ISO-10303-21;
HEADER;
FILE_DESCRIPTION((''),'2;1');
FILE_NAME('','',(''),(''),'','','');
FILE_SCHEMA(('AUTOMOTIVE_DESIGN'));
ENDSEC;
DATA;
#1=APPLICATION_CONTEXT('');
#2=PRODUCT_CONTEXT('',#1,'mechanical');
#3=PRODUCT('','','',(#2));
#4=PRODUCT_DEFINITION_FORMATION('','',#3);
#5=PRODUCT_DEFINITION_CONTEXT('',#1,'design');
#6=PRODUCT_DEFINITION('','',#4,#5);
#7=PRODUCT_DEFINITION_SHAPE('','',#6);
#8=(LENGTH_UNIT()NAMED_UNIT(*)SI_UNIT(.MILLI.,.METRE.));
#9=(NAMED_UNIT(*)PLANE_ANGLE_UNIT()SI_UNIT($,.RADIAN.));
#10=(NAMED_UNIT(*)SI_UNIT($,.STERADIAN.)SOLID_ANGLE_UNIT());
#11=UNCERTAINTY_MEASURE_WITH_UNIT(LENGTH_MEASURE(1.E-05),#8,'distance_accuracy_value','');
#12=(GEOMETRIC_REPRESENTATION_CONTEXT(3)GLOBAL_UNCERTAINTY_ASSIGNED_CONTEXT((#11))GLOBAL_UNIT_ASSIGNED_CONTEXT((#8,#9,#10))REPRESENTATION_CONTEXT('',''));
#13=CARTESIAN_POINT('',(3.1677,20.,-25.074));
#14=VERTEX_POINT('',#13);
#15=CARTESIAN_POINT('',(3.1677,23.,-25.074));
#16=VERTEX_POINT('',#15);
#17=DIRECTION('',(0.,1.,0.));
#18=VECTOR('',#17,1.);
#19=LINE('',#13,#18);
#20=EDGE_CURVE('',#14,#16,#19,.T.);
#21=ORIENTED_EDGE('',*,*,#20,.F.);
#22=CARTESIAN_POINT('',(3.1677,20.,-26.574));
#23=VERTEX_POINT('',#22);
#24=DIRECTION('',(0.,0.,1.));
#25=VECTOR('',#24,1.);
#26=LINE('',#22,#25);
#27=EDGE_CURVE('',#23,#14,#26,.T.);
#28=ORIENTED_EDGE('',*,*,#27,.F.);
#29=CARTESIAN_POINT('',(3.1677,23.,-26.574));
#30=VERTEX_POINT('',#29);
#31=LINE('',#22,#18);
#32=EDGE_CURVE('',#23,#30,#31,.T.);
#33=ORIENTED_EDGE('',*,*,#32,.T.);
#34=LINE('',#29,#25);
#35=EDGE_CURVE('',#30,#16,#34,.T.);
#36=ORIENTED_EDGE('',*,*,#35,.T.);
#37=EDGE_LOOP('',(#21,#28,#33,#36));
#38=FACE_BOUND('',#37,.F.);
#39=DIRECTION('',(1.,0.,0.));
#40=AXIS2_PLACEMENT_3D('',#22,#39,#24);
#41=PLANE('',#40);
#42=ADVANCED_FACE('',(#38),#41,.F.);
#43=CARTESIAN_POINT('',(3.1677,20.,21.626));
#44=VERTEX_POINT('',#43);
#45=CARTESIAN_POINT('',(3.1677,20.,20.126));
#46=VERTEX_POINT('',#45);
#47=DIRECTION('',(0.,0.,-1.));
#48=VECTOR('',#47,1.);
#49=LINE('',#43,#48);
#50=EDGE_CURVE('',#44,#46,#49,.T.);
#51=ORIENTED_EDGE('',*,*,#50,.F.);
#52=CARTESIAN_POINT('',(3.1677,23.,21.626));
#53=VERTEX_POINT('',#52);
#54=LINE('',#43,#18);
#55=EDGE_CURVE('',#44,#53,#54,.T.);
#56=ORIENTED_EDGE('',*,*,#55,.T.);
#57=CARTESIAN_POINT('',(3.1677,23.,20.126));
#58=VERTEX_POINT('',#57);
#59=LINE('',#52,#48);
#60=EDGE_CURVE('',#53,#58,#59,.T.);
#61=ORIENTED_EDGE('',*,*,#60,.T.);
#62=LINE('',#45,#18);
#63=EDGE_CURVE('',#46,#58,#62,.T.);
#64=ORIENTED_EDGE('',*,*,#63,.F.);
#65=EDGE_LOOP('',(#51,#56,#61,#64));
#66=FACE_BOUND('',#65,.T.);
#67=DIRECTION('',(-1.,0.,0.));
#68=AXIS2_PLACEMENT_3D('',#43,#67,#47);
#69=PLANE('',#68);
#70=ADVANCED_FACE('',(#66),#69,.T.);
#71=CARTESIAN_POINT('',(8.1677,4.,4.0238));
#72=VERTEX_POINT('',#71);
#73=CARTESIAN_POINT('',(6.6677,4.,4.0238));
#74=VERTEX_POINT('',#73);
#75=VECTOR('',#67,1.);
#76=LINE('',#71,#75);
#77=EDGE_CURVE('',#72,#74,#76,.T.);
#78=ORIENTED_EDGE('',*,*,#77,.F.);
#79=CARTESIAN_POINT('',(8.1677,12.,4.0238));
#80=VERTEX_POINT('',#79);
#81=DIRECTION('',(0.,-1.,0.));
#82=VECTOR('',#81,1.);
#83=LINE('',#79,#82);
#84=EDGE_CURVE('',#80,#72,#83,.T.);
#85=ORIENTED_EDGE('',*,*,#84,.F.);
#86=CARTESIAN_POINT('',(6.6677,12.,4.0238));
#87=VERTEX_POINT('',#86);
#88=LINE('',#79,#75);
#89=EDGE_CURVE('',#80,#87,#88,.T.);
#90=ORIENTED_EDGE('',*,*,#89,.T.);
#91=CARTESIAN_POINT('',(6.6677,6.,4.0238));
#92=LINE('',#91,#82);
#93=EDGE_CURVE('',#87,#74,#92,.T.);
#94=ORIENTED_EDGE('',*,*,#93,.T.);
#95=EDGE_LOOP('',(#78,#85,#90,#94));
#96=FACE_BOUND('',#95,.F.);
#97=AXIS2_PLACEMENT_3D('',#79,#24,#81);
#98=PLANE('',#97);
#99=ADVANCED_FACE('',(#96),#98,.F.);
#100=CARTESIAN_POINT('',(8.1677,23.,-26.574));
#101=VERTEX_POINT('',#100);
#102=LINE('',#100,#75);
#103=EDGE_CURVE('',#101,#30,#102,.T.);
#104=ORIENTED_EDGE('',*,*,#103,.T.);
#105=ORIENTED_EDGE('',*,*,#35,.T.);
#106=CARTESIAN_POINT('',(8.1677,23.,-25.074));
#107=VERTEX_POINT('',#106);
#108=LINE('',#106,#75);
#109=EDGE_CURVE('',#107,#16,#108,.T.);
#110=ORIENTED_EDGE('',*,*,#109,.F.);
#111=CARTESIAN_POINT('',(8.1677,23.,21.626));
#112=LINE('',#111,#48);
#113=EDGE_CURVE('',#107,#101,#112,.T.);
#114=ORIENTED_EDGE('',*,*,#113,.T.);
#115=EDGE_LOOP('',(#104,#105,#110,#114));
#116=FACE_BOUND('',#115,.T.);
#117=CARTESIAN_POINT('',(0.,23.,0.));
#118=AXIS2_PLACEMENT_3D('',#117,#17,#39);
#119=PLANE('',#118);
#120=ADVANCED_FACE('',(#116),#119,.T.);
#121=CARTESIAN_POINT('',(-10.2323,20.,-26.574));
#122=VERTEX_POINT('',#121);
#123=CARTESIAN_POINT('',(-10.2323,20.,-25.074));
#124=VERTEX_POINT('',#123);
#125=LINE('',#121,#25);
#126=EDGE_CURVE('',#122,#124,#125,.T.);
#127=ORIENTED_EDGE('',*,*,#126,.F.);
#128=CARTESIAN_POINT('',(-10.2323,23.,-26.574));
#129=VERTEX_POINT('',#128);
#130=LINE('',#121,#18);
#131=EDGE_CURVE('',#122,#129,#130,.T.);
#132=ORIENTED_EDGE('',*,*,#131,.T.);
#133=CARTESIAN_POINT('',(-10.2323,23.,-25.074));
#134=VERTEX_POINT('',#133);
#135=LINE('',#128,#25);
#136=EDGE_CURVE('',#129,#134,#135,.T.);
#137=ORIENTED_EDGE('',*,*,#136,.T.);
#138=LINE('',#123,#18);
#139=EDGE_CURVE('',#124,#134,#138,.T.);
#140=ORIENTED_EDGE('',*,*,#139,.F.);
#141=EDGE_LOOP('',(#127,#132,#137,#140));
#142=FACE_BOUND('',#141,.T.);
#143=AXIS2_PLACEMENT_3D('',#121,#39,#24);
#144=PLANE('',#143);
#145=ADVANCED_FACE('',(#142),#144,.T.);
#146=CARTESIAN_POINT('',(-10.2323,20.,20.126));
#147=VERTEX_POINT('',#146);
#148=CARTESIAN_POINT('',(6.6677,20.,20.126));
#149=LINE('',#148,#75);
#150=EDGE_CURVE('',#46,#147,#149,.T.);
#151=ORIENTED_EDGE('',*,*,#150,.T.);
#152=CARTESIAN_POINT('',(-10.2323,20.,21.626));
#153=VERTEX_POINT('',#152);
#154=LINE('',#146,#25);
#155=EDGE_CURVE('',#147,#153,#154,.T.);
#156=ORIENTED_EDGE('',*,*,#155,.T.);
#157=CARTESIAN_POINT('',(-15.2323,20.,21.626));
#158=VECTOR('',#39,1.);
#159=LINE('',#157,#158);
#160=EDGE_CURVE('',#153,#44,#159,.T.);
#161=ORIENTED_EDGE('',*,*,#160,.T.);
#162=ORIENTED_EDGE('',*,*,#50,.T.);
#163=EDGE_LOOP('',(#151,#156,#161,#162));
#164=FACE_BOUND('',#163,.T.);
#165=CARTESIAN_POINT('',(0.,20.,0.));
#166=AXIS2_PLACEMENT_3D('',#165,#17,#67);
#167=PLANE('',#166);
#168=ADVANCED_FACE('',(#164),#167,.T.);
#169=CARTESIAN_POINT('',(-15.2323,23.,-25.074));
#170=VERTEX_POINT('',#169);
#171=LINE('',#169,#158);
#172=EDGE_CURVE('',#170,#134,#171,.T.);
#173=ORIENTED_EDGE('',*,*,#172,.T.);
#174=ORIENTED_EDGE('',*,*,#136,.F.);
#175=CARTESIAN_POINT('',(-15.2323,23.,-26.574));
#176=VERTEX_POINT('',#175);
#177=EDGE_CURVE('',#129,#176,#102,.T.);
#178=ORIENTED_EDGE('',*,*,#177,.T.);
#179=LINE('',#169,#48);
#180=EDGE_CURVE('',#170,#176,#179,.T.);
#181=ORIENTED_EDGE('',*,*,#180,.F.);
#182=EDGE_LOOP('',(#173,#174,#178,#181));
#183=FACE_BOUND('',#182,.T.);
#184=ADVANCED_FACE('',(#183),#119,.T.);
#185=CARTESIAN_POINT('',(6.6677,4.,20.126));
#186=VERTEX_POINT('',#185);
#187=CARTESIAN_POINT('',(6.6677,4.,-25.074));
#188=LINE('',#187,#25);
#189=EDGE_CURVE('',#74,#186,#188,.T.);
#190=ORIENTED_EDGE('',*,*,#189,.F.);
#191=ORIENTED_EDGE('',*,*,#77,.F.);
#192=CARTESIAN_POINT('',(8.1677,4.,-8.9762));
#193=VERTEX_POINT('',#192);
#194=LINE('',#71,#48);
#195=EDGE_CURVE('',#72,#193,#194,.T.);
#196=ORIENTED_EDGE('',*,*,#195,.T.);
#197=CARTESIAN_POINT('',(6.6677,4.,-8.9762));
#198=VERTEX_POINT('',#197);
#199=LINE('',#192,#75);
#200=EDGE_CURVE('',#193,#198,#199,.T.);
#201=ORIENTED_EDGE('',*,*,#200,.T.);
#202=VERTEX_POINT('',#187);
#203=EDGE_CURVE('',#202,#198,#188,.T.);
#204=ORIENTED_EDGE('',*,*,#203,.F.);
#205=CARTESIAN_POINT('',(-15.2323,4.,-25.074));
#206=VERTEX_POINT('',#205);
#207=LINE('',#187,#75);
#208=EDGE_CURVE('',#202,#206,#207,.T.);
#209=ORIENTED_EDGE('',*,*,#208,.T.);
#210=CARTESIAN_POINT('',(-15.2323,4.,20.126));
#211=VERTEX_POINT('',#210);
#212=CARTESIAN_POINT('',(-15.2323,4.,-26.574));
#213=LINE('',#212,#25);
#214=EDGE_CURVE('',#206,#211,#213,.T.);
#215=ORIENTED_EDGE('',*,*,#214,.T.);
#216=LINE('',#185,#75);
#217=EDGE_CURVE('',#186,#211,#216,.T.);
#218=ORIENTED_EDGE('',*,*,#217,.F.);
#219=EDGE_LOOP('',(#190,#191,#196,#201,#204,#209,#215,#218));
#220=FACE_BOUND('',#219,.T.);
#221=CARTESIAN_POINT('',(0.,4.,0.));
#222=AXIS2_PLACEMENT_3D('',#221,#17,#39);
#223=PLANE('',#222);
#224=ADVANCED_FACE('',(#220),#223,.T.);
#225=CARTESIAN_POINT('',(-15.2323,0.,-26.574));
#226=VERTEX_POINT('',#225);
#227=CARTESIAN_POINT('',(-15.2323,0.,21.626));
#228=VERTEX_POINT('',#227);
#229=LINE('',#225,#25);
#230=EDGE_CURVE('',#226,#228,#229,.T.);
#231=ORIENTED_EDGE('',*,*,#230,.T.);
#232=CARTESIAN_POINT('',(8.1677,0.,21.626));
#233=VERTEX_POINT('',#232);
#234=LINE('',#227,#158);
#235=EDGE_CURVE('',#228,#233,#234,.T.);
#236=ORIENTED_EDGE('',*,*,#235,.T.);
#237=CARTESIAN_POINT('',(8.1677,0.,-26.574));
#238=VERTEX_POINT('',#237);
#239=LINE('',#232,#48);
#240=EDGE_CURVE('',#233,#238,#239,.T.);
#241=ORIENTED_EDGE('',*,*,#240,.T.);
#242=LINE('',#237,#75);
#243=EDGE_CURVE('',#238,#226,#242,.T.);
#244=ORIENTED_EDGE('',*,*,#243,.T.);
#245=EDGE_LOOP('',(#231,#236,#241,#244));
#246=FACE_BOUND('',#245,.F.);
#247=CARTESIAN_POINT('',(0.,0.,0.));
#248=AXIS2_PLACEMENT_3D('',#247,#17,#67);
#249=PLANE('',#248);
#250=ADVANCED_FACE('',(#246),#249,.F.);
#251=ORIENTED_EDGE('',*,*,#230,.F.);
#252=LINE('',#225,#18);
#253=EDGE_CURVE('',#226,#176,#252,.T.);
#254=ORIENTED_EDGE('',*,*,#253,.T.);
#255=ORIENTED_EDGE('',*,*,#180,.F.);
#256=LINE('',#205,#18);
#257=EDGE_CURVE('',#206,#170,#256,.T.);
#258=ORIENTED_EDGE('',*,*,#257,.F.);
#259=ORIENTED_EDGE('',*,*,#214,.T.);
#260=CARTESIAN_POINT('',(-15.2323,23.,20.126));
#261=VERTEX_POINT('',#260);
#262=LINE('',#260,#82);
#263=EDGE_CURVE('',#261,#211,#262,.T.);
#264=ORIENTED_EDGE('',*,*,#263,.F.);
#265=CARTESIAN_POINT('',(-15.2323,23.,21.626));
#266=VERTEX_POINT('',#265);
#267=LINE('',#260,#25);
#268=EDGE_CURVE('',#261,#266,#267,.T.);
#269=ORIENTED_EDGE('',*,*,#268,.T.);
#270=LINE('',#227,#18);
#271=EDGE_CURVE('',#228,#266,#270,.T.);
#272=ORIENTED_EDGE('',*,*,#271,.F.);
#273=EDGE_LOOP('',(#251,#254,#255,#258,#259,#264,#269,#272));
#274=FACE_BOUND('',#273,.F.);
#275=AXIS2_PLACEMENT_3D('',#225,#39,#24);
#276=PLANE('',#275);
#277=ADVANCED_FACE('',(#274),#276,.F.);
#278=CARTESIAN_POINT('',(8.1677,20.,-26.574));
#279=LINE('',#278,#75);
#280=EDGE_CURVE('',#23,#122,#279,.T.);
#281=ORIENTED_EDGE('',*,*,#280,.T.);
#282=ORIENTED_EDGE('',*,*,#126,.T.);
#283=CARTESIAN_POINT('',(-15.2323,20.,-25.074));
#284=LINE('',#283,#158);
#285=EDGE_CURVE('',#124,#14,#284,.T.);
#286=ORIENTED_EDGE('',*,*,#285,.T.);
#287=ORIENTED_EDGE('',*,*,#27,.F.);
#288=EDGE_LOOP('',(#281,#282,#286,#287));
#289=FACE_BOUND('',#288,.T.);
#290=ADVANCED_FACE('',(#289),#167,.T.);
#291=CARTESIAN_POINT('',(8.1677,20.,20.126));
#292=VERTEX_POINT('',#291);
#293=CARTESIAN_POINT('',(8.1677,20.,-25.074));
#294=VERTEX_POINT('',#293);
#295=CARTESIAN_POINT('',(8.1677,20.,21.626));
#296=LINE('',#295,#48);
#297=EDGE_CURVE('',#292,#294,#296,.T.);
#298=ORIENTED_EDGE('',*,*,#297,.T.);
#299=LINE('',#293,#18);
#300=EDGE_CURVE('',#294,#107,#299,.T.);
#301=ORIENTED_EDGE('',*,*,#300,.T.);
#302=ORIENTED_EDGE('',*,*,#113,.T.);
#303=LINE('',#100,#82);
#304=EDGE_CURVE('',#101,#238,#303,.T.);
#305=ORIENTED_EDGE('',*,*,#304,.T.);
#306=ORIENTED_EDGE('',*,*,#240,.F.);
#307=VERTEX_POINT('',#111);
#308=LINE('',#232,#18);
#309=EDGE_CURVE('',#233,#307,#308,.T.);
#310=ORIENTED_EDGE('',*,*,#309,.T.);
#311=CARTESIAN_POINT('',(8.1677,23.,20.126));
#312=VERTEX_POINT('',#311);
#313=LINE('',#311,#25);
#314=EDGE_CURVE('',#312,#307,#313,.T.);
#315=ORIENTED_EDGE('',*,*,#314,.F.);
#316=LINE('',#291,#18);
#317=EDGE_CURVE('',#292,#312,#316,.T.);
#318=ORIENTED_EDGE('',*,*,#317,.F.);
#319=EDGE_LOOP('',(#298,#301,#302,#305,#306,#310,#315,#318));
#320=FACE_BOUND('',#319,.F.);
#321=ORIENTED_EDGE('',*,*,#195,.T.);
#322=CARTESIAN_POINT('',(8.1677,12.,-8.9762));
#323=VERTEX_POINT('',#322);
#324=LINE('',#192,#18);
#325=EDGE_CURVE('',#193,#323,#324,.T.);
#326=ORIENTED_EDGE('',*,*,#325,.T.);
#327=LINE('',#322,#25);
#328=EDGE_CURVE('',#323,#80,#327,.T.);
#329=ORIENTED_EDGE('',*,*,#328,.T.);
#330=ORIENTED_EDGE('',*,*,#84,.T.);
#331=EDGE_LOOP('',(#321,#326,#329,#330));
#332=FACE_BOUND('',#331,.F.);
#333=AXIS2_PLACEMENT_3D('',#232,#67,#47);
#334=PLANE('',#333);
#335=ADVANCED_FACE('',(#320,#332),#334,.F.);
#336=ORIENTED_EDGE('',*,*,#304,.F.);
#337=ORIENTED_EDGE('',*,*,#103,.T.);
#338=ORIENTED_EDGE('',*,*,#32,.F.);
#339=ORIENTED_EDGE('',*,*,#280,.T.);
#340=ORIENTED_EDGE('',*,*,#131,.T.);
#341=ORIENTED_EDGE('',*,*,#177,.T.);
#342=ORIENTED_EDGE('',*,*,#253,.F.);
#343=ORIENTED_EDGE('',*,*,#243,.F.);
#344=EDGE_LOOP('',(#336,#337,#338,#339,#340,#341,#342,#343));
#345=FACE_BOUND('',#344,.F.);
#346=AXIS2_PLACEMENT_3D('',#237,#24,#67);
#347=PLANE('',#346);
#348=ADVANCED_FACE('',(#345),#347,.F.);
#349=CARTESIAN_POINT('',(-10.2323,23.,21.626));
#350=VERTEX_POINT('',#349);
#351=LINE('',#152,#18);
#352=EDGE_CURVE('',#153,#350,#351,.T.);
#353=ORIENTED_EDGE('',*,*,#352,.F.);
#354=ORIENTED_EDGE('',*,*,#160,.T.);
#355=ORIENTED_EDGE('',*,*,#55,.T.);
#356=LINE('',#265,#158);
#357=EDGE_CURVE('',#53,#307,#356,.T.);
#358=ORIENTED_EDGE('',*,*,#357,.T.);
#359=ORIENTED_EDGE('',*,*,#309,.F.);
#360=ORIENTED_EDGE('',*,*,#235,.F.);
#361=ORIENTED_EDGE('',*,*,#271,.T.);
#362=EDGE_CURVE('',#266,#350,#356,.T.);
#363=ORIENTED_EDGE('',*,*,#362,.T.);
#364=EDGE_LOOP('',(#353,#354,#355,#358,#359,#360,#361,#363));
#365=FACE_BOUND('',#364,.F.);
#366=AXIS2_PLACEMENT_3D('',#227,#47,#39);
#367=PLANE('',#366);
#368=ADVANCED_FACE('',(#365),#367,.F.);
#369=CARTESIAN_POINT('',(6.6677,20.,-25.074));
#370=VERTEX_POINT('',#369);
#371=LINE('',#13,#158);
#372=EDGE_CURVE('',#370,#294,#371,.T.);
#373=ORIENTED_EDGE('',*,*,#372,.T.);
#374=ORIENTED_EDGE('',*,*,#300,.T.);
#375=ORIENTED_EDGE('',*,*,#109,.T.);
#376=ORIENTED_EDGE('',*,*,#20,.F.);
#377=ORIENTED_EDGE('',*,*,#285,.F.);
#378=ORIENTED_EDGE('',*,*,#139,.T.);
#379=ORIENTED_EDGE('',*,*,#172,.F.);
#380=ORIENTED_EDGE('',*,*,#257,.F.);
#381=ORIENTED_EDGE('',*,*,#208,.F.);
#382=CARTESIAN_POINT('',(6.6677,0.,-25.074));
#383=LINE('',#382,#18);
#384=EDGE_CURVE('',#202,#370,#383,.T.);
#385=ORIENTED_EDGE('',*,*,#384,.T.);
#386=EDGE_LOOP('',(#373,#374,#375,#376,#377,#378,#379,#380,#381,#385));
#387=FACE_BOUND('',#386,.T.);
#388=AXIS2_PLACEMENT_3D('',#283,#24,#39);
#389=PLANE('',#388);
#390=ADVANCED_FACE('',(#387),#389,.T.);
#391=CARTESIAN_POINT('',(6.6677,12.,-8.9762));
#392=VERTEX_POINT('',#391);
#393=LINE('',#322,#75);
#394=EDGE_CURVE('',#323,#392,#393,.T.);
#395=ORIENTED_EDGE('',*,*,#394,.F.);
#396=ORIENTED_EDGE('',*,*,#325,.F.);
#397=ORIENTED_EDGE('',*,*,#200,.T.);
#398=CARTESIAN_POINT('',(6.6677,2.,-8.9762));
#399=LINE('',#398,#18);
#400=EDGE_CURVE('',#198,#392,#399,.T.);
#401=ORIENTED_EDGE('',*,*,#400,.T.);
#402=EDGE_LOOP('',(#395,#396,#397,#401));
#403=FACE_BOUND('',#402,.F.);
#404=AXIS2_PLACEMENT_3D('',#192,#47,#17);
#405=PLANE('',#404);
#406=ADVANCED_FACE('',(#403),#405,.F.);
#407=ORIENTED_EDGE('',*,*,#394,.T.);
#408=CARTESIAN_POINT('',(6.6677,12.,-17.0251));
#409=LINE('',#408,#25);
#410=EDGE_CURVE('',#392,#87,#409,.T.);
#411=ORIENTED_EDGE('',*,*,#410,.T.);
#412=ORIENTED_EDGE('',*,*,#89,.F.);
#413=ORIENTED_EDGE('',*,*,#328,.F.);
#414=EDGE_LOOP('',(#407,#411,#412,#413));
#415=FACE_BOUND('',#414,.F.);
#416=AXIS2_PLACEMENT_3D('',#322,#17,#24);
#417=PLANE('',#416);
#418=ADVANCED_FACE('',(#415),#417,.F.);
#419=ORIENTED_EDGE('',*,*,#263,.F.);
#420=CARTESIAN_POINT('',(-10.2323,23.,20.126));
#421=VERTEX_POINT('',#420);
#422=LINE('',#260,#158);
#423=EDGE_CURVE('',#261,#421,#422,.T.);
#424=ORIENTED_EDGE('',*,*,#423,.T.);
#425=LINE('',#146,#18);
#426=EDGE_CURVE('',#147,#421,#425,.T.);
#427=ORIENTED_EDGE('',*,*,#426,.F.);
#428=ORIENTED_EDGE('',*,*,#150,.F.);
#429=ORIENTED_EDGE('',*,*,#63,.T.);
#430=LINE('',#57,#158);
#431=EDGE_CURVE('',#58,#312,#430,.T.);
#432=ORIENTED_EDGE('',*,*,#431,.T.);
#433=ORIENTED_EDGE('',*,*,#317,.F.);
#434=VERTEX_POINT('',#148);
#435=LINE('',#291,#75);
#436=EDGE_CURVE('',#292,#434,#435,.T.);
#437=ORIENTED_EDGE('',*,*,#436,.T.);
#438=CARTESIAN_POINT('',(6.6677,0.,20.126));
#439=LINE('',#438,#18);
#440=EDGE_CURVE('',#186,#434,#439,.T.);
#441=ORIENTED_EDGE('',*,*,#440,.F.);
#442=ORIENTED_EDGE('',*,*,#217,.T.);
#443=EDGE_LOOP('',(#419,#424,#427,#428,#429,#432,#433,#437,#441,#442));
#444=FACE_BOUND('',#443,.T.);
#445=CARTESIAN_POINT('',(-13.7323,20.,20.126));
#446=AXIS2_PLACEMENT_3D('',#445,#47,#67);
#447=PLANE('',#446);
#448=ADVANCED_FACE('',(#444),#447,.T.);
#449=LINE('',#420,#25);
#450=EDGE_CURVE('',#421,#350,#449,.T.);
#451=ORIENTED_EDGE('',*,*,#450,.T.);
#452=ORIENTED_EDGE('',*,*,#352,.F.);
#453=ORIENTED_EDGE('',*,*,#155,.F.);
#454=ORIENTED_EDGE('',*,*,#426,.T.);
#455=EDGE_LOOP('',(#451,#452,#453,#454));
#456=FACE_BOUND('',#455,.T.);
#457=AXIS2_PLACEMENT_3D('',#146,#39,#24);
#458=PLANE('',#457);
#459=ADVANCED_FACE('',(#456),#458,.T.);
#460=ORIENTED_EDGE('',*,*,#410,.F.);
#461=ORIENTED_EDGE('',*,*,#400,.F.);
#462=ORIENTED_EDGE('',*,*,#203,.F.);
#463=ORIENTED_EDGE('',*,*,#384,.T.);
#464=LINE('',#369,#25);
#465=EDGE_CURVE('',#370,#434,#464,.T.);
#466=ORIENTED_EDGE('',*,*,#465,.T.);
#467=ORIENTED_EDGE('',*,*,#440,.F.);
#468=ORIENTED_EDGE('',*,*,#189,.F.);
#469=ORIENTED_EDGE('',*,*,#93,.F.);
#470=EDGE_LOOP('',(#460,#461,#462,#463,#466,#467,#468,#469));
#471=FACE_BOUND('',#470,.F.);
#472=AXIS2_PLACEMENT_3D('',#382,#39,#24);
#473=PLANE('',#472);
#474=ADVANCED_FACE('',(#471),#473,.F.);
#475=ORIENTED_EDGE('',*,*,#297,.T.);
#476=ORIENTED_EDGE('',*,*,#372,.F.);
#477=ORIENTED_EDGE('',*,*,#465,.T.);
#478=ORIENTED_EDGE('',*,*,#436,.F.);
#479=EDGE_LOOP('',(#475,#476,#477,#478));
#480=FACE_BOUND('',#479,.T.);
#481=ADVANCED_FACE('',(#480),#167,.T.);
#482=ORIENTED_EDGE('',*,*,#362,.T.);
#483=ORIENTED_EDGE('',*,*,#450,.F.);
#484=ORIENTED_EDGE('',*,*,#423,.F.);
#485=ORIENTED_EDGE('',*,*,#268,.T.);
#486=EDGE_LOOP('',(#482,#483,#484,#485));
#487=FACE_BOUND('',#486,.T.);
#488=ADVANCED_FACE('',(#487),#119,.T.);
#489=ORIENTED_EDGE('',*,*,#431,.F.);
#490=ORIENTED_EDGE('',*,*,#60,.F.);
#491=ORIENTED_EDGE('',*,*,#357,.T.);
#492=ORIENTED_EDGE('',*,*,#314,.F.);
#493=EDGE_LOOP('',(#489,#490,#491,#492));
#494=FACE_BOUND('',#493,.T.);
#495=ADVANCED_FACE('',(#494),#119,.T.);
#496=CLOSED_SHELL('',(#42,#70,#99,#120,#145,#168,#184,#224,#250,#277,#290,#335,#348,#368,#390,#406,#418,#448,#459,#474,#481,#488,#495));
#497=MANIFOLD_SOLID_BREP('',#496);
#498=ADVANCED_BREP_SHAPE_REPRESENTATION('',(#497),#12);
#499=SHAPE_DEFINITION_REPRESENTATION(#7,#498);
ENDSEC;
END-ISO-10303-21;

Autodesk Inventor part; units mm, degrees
ref_plane "YZ Plane" through (0, 0, 0) normal (1, 0, 0) x (0, 1, 0)
ref_plane "XZ Plane" through (0, 0, 0) normal (0, 1, 0) x (-1, 0, 0)
ref_plane "XY Plane" through (0, 0, 0) normal (0, 0, 1) x (1, 0, 0)
sketch "Sketch1" plane through (0, 0, 0) normal (0, 1, 0) x (-1, 0, 0)
  line L0 (-6.6677, 20.126) -> (13.7323, 20.126)
  line L1 (13.7323, 20.126) -> (13.7323, -25.074)
  line L2 (13.7323, -25.074) -> (-6.6677, -25.074)
  line L3 (-6.6677, -25.074) -> (-6.6677, 20.126)
  line L4 (15.2323, -26.574) -> (15.2323, 21.626)
  line L5 (15.2323, 21.626) -> (-8.1677, 21.626)
  line L6 (-8.1677, 21.626) -> (-8.1677, -26.574)
  line L7 (-8.1677, -26.574) -> (15.2323, -26.574)
  point P0 (0, 0)
  dimension "d0" = 45.2
  dimension "d1" = 20.4
  dimension "d2" = 1.5
extrude "Extrusion1" add sketch "Sketch1" along normal blind 20
sketch "Sketch2" plane through (8.1677, 0, 21.626) normal (1, 0, 0) x (0, 0, -1)
  line L0 (19.1022, 10.5) -> (29.1022, 10.5)
  line L1 (29.1022, 10.5) -> (29.1022, 5.5)
  line L2 (29.1022, 5.5) -> (19.1022, 5.5)
  line L3 (19.1022, 5.5) -> (19.1022, 10.5)
  line L4 (30.6022, 12) -> (17.6022, 12)
  line L5 (17.6022, 12) -> (17.6022, 4)
  line L6 (17.6022, 4) -> (30.6022, 4)
  line L7 (30.6022, 4) -> (30.6022, 12)
  line L8 (0, 0) -> (0, 20) projected
  line L9 (48.2, 0) -> (48.2, 20) projected
  line L10 (0, 20) -> (48.2, 20) projected
  point P0 (21.626, 0)
  dimension "d5" = 10
  dimension "d6" = 5
  dimension "d7" = 1.5
  dimension "d8" = 17.6022
  dimension "d9" = 17.5978
  dimension "d10" = 8
extrude "Extrusion2" cut sketch "Sketch2" against normal blind 6 contours L0 L1 L2 L3 | L7 L6 L5 L4
extrude "Extrusion3" add sketch "Sketch1" along normal blind 4 contours L0 L1 L2 L3
sketch "Sketch3" plane through (0, 20, 0) normal (0, 1, 0) x (1, 0, 0)
  line L0 (-13.7323, -20.126) -> (-13.7323, 25.074) projected
  line L1 (-15.2323, 26.574) -> (-15.2323, -21.626) projected
  line L2 (-13.7323, -20.126) -> (-15.2323, -20.126)
  line L3 (-15.2323, -20.126) -> (-15.2323, 25.074)
  line L4 (-15.2323, 25.074) -> (-13.7323, 25.074)
  line L5 (-13.7323, 25.074) -> (-13.7323, -20.126)
  point P0 (0, 0)
  dimension "d17" = 0
extrude "Extrusion4" cut sketch "Sketch3" against normal blind 16
sketch "Sketch4" plane through (0, 20, 0) normal (0, 1, 0) x (1, 0, 0)
  line L0 (-15.2323, -20.126) -> (-15.2323, -21.626) projected
  line L1 (-15.2323, -21.626) -> (8.1677, -21.626) projected
  line L2 (-15.2323, -20.126) -> (-10.2323, -20.126)
  line L3 (-10.2323, -20.126) -> (-10.2323, -21.626)
  line L4 (-10.2323, -21.626) -> (-15.2323, -21.626)
  line L5 (-15.2323, -21.626) -> (-15.2323, -20.126)
  line L6 (6.6677, -20.126) -> (-15.2323, -20.126) projected
  line L7 (8.1677, -21.626) -> (3.1677, -21.626)
  line L8 (3.1677, -21.626) -> (3.1677, -20.126)
  line L9 (3.1677, -20.126) -> (8.1677, -20.126)
  line L10 (8.1677, -20.126) -> (8.1677, -21.626)
  line L11 (8.1677, 26.574) -> (-15.2323, 26.574) projected
  line L12 (-15.2323, 25.074) -> (6.6677, 25.074) projected
  line L13 (-15.2323, 26.574) -> (-10.2323, 26.574)
  line L14 (-10.2323, 26.574) -> (-10.2323, 25.074)
  line L15 (-10.2323, 25.074) -> (-15.2323, 25.074)
  line L16 (-15.2323, 25.074) -> (-15.2323, 26.574)
  line L17 (8.1677, -21.626) -> (8.1677, 26.574) projected
  line L18 (8.1677, 26.574) -> (3.1677, 26.574)
  line L19 (3.1677, 26.574) -> (3.1677, 25.074)
  line L20 (3.1677, 25.074) -> (8.1677, 25.074)
  line L21 (8.1677, 25.074) -> (8.1677, 26.574)
  point P0 (0, 0)
  dimension "d18" = 5
  dimension "d19" = 5
  dimension "d20" = 5
  dimension "d21" = 5
extrude "Extrusion5" add sketch "Sketch4" along normal blind 3 contours L2 L3 L1 L0 | L20 L12 L19 L11 L17 | L6 L9 L10 L1 L8 | L14 L12 L16 L11
properties part number "US_Casis"
